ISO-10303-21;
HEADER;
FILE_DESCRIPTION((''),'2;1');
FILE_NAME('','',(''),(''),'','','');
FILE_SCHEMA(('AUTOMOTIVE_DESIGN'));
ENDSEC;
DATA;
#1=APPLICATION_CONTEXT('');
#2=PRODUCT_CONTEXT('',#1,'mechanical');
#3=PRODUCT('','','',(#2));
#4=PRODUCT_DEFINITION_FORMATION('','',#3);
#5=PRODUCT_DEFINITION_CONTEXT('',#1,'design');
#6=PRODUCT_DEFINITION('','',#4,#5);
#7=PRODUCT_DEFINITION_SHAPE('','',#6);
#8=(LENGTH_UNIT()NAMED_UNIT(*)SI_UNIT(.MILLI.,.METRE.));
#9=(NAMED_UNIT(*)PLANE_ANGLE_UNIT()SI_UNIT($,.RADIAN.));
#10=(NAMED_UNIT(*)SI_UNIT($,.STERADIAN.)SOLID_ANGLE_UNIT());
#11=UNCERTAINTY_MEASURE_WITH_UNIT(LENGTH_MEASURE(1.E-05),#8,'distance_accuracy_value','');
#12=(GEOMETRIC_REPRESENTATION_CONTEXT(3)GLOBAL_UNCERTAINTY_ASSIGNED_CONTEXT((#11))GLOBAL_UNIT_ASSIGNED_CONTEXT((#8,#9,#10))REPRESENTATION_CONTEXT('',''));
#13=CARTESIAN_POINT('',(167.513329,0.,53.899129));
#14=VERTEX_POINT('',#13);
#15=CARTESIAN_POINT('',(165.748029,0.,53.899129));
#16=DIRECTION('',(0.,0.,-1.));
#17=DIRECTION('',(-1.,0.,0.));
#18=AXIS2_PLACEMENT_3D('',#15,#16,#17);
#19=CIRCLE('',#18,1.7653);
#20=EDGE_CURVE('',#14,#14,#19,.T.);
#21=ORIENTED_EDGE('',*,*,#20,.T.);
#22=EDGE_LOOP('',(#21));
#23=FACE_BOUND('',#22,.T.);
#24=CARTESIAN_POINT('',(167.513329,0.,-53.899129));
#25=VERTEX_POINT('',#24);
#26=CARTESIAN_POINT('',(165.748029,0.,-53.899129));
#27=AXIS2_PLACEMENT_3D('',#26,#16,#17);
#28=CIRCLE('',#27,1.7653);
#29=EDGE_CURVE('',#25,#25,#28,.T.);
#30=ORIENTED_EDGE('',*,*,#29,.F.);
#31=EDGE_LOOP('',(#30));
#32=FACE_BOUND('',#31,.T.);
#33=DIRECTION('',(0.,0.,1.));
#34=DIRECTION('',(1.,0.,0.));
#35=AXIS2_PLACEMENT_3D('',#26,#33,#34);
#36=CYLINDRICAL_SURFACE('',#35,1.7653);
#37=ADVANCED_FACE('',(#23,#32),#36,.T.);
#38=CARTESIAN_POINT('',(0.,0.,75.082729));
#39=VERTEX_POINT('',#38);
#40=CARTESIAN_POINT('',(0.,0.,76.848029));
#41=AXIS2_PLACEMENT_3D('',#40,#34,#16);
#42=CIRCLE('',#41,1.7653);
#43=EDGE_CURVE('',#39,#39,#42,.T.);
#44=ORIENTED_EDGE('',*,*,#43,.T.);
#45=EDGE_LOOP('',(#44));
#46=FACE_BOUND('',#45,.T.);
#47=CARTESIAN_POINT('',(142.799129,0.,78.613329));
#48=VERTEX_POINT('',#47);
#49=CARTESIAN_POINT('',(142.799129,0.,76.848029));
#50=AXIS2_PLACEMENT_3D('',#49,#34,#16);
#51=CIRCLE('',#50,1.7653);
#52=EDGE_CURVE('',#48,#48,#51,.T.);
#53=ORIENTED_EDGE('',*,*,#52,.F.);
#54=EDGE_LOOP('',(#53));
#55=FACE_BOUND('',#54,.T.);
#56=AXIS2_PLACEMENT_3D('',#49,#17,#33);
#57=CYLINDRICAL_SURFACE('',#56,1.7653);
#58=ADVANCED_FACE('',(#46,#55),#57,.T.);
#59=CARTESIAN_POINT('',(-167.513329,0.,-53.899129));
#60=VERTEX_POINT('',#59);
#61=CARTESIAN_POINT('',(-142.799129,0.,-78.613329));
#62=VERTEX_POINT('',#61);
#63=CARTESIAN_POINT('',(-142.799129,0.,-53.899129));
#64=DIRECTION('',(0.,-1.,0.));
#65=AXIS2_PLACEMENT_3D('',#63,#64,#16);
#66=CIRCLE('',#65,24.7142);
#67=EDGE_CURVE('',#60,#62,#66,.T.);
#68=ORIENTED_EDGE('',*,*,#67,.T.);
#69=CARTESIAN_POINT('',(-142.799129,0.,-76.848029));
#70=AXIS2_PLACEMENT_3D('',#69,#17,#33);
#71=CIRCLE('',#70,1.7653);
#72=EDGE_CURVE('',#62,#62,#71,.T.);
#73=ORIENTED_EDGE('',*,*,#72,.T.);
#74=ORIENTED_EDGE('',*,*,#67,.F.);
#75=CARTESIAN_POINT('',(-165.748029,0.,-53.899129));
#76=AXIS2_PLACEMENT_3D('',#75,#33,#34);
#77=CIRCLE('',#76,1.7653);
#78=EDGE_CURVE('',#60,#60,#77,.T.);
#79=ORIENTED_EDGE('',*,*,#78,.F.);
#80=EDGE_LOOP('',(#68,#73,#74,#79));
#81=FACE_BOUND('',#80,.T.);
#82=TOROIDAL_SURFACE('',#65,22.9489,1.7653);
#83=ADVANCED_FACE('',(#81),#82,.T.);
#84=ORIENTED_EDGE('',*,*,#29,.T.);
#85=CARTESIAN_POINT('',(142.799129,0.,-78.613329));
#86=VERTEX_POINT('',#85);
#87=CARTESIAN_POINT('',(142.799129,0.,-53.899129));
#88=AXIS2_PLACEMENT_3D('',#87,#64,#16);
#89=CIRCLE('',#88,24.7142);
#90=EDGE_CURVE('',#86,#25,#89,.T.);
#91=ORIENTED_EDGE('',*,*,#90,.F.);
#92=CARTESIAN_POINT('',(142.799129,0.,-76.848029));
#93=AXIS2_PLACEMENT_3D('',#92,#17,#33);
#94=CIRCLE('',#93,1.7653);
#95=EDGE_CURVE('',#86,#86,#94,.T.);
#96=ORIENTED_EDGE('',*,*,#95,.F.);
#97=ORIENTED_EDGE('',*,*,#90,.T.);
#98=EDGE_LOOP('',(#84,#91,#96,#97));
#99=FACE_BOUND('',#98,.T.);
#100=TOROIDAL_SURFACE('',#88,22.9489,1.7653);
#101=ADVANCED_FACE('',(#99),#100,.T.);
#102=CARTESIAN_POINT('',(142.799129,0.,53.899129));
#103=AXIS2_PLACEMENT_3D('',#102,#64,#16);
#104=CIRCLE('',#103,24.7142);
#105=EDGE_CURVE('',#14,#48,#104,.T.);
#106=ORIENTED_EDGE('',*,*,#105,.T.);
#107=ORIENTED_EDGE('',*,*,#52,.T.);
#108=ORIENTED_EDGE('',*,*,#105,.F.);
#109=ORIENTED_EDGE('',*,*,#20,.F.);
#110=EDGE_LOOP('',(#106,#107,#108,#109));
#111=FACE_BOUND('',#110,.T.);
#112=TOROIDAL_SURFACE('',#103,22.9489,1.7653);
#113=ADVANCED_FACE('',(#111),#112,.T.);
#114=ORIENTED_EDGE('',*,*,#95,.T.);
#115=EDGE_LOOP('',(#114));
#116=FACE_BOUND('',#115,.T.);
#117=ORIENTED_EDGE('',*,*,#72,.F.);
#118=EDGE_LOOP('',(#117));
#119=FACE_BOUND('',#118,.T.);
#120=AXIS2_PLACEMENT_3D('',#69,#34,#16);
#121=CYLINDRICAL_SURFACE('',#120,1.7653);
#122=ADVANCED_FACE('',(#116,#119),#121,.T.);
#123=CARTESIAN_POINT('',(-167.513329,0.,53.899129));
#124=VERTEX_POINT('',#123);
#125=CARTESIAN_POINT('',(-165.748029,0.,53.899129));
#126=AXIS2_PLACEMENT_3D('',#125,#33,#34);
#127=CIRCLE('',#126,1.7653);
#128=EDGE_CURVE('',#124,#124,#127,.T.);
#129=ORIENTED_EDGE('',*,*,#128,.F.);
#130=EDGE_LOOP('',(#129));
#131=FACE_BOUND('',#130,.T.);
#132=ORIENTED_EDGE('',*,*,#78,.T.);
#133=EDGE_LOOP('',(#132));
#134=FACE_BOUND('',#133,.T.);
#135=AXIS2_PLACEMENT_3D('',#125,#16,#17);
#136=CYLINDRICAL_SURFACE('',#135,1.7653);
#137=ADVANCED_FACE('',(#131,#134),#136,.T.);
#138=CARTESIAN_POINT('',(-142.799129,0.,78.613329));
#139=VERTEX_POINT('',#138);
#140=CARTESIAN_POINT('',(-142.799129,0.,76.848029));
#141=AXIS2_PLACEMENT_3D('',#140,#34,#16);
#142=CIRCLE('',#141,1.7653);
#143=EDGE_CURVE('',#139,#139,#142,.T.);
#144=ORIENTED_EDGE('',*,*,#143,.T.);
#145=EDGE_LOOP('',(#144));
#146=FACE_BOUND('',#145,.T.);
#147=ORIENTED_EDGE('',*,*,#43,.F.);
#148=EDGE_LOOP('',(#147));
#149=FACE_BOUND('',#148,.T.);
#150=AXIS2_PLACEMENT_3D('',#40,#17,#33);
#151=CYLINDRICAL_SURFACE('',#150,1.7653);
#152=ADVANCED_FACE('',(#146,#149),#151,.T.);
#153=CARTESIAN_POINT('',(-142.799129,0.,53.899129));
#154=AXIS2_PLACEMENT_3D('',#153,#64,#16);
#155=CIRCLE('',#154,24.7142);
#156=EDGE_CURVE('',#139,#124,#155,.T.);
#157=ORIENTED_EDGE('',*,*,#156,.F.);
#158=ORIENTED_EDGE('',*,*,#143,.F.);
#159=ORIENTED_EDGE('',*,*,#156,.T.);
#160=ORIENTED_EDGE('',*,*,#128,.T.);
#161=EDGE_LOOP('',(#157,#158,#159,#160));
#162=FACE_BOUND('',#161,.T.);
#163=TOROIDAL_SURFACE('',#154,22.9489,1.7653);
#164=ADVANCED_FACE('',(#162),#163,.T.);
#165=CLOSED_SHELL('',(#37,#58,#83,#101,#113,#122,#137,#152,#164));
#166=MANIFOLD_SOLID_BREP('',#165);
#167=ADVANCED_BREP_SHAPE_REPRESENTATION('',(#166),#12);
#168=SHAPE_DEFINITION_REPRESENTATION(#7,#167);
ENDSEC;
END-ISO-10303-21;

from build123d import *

# Parameters (mm, degrees)
SKETCH2_R = 1.7653


with BuildPart() as part:
    # Sweep1: sweep along a path in Sketch1
    with BuildLine(Plane(origin=(0, 0, 0), x_dir=(1, 0, 0), z_dir=(0, 1, 0))) as sweep1_path:
        Line((-142.799128817, 75.082728817), (142.799128817, 75.082728817))
        ThreePointArc((142.799128817, 75.082728817), (157.778196027, 68.878196027), (163.982728817, 53.899128817))
        Line((163.982728817, 53.899128817), (163.982728817, -53.899128817))
        ThreePointArc((163.982728817, -53.899128817), (157.778196027, -68.878196027), (142.799128817, -75.082728817))
        Line((142.799128817, -75.082728817), (-142.799128817, -75.082728817))
        ThreePointArc((-142.799128817, -75.082728817), (-157.778196027, -68.878196027), (-163.982728817, -53.899128817))
        Line((-163.982728817, -53.899128817), (-163.982728817, 53.899128817))
        ThreePointArc((-163.982728817, 53.899128817), (-157.778196027, 68.878196027), (-142.799128817, 75.082728817))
    # Sketch2 → Sweep1 (sweep)
    with BuildSketch(Plane(origin=(0, 0, 0), x_dir=(0, 0, -1), z_dir=(1, 0, 0))):
        with Locations((-76.848028817, 0)):
            Circle(SKETCH2_R)
    sweep(path=sweep1_path.line)


solid = part.part
